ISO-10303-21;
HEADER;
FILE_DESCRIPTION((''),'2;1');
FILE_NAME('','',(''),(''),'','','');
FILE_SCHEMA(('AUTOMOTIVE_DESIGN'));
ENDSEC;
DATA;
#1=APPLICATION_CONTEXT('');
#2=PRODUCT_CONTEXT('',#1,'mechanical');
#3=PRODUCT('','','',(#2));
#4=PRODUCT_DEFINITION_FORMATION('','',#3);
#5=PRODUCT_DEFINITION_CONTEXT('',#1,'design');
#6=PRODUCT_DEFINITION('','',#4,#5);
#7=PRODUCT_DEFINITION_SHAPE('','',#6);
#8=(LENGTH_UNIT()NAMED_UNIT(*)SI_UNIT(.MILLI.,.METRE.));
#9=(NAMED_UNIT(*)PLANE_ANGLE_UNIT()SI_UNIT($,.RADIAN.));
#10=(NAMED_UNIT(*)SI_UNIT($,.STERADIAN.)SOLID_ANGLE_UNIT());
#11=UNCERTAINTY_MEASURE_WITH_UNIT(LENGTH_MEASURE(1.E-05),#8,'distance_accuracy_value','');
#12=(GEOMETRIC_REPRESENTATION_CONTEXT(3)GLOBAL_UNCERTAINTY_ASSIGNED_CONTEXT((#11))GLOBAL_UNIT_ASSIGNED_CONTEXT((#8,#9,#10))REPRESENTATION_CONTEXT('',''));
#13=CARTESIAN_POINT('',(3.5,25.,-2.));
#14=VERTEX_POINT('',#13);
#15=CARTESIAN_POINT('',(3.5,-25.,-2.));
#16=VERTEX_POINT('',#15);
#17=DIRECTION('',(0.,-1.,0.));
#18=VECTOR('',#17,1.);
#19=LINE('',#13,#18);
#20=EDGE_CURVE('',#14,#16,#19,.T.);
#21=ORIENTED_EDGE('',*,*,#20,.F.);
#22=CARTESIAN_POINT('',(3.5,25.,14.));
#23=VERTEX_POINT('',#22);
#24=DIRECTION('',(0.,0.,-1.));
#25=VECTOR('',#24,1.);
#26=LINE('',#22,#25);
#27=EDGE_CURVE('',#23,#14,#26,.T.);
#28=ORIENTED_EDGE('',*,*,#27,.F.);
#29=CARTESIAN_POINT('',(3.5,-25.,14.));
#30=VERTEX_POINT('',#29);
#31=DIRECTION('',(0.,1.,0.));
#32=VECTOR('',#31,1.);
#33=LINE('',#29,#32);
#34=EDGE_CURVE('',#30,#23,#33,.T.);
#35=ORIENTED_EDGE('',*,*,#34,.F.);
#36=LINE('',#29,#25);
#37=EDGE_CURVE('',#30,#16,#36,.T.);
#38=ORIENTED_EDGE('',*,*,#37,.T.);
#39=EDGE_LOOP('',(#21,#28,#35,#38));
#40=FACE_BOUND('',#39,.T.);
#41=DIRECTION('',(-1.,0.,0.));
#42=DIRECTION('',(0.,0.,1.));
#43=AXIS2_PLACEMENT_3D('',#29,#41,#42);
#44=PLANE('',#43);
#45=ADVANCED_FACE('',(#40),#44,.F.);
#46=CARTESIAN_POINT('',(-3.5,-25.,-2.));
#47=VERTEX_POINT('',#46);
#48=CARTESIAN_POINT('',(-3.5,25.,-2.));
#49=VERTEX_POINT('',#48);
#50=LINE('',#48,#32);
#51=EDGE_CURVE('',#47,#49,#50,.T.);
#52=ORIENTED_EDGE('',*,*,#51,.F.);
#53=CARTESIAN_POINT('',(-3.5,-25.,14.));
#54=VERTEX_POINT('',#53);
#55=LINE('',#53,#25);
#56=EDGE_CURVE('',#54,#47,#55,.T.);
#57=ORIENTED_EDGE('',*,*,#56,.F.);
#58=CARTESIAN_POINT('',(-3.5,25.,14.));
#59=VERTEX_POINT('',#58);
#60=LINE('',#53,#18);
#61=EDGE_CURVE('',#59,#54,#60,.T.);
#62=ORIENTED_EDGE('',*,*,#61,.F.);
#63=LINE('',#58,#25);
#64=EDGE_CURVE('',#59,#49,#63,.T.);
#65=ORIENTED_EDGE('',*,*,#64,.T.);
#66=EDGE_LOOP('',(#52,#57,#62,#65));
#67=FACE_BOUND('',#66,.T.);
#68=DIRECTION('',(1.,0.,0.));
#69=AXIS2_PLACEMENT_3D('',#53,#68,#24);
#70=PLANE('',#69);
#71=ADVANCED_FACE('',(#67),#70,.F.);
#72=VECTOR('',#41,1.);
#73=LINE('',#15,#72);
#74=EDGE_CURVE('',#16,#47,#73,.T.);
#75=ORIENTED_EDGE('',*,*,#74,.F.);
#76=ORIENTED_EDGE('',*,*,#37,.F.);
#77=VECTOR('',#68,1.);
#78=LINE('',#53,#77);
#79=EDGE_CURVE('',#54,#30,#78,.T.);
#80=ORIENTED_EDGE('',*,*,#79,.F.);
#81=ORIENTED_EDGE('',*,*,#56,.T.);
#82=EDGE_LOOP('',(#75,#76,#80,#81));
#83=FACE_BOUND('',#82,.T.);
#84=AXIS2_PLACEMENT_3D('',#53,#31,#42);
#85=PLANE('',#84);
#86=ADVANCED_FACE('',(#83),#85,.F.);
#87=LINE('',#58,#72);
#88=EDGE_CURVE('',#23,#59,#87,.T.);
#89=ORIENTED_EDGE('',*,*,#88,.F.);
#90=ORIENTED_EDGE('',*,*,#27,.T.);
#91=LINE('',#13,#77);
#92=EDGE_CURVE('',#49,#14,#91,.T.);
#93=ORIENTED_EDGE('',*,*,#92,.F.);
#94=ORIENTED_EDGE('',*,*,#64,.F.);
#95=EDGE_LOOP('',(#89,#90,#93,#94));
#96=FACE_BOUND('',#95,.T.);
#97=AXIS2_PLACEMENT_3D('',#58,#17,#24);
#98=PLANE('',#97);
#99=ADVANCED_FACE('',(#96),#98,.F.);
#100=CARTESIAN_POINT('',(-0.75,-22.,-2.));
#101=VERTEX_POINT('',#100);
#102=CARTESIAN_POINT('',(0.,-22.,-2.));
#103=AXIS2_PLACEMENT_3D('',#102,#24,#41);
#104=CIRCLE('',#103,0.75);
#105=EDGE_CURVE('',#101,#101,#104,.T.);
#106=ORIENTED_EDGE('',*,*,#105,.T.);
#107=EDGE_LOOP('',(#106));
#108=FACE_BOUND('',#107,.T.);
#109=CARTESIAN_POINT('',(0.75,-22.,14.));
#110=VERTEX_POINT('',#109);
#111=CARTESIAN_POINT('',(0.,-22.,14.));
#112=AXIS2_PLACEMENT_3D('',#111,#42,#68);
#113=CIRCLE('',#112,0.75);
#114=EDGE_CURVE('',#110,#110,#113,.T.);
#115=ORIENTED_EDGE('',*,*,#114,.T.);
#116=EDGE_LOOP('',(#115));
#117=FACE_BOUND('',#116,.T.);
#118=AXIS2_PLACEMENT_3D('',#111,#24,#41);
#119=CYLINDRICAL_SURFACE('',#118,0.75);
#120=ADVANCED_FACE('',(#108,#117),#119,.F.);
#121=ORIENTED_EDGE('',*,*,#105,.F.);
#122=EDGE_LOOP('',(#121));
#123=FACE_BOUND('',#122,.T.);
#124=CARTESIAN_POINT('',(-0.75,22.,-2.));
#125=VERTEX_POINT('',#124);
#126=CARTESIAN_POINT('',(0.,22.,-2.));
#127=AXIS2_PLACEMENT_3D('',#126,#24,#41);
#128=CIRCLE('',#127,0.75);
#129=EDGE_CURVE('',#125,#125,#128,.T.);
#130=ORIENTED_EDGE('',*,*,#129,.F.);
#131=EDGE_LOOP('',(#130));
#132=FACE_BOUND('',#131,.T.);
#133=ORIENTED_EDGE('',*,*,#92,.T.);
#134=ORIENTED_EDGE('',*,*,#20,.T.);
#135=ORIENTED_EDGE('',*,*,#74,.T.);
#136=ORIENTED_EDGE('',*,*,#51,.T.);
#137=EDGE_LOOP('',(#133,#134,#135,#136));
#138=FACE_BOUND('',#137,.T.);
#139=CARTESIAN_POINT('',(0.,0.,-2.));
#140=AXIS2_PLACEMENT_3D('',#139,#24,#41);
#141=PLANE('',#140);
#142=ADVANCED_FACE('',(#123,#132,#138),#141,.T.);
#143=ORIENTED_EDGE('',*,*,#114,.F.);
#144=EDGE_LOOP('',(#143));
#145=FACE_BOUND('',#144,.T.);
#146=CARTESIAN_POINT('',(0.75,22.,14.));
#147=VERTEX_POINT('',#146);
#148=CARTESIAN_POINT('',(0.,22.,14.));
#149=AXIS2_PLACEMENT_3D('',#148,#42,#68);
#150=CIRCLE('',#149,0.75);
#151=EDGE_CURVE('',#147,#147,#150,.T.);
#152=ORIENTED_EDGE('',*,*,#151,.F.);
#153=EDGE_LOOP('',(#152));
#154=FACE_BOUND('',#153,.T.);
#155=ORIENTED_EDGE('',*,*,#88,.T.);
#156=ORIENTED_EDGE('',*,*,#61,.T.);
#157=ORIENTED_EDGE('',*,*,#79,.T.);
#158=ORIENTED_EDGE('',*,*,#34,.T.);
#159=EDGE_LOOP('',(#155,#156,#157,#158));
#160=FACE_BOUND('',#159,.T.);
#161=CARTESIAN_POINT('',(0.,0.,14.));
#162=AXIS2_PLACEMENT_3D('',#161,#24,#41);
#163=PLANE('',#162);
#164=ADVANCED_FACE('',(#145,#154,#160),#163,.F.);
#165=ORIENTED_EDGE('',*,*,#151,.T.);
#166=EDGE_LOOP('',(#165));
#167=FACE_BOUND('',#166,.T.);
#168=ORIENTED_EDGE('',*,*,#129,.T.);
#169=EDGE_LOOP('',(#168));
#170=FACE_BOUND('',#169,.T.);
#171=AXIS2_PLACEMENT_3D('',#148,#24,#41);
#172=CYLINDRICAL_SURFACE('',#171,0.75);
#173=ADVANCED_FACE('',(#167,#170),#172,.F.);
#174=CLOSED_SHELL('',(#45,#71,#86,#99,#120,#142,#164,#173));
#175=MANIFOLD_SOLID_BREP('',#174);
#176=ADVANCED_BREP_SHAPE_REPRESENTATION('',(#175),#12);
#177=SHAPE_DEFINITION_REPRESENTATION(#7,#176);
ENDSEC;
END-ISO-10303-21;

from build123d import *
from build123d.topology import SkipClean

# Parameters (mm, degrees)
SKETCH1_W           = 7
SKETCH1_H           = 50
SKETCH1_R           = 0.75
BOSS_EXTRUDE1_DEPTH = 14
BOSS_EXTRUDE2_START = 2
SKETCH3_W           = 7
SKETCH3_H           = 50
SKETCH3_R           = 0.75
BOSS_EXTRUDE2_DEPTH = 2


with BuildPart() as part:
    # Sketch1 → Boss-Extrude1 (new body)
    with BuildSketch(Plane.XY):
        Rectangle(SKETCH1_W, SKETCH1_H)
        with Locations((0, 22)):
            Circle(SKETCH1_R, mode=Mode.SUBTRACT)
        with Locations((0, -22)):
            Circle(SKETCH1_R, mode=Mode.SUBTRACT)
    extrude(amount=BOSS_EXTRUDE1_DEPTH)

    # Sketch3 → Boss-Extrude2 (add)
    with SkipClean():  # the faces are left unmerged after this step: merging them gives an invalid solid
        with BuildSketch(Plane(origin=(0, 0, 0), x_dir=(-1, 0, 0), z_dir=(0, 0, -1)).offset(BOSS_EXTRUDE2_START)):
            Rectangle(SKETCH3_W, SKETCH3_H)
            with Locations((0, 22)):
                Circle(SKETCH3_R, mode=Mode.SUBTRACT)
            with Locations((0, -22)):
                Circle(SKETCH3_R, mode=Mode.SUBTRACT)
        extrude(amount=-BOSS_EXTRUDE2_DEPTH)


solid = part.part
